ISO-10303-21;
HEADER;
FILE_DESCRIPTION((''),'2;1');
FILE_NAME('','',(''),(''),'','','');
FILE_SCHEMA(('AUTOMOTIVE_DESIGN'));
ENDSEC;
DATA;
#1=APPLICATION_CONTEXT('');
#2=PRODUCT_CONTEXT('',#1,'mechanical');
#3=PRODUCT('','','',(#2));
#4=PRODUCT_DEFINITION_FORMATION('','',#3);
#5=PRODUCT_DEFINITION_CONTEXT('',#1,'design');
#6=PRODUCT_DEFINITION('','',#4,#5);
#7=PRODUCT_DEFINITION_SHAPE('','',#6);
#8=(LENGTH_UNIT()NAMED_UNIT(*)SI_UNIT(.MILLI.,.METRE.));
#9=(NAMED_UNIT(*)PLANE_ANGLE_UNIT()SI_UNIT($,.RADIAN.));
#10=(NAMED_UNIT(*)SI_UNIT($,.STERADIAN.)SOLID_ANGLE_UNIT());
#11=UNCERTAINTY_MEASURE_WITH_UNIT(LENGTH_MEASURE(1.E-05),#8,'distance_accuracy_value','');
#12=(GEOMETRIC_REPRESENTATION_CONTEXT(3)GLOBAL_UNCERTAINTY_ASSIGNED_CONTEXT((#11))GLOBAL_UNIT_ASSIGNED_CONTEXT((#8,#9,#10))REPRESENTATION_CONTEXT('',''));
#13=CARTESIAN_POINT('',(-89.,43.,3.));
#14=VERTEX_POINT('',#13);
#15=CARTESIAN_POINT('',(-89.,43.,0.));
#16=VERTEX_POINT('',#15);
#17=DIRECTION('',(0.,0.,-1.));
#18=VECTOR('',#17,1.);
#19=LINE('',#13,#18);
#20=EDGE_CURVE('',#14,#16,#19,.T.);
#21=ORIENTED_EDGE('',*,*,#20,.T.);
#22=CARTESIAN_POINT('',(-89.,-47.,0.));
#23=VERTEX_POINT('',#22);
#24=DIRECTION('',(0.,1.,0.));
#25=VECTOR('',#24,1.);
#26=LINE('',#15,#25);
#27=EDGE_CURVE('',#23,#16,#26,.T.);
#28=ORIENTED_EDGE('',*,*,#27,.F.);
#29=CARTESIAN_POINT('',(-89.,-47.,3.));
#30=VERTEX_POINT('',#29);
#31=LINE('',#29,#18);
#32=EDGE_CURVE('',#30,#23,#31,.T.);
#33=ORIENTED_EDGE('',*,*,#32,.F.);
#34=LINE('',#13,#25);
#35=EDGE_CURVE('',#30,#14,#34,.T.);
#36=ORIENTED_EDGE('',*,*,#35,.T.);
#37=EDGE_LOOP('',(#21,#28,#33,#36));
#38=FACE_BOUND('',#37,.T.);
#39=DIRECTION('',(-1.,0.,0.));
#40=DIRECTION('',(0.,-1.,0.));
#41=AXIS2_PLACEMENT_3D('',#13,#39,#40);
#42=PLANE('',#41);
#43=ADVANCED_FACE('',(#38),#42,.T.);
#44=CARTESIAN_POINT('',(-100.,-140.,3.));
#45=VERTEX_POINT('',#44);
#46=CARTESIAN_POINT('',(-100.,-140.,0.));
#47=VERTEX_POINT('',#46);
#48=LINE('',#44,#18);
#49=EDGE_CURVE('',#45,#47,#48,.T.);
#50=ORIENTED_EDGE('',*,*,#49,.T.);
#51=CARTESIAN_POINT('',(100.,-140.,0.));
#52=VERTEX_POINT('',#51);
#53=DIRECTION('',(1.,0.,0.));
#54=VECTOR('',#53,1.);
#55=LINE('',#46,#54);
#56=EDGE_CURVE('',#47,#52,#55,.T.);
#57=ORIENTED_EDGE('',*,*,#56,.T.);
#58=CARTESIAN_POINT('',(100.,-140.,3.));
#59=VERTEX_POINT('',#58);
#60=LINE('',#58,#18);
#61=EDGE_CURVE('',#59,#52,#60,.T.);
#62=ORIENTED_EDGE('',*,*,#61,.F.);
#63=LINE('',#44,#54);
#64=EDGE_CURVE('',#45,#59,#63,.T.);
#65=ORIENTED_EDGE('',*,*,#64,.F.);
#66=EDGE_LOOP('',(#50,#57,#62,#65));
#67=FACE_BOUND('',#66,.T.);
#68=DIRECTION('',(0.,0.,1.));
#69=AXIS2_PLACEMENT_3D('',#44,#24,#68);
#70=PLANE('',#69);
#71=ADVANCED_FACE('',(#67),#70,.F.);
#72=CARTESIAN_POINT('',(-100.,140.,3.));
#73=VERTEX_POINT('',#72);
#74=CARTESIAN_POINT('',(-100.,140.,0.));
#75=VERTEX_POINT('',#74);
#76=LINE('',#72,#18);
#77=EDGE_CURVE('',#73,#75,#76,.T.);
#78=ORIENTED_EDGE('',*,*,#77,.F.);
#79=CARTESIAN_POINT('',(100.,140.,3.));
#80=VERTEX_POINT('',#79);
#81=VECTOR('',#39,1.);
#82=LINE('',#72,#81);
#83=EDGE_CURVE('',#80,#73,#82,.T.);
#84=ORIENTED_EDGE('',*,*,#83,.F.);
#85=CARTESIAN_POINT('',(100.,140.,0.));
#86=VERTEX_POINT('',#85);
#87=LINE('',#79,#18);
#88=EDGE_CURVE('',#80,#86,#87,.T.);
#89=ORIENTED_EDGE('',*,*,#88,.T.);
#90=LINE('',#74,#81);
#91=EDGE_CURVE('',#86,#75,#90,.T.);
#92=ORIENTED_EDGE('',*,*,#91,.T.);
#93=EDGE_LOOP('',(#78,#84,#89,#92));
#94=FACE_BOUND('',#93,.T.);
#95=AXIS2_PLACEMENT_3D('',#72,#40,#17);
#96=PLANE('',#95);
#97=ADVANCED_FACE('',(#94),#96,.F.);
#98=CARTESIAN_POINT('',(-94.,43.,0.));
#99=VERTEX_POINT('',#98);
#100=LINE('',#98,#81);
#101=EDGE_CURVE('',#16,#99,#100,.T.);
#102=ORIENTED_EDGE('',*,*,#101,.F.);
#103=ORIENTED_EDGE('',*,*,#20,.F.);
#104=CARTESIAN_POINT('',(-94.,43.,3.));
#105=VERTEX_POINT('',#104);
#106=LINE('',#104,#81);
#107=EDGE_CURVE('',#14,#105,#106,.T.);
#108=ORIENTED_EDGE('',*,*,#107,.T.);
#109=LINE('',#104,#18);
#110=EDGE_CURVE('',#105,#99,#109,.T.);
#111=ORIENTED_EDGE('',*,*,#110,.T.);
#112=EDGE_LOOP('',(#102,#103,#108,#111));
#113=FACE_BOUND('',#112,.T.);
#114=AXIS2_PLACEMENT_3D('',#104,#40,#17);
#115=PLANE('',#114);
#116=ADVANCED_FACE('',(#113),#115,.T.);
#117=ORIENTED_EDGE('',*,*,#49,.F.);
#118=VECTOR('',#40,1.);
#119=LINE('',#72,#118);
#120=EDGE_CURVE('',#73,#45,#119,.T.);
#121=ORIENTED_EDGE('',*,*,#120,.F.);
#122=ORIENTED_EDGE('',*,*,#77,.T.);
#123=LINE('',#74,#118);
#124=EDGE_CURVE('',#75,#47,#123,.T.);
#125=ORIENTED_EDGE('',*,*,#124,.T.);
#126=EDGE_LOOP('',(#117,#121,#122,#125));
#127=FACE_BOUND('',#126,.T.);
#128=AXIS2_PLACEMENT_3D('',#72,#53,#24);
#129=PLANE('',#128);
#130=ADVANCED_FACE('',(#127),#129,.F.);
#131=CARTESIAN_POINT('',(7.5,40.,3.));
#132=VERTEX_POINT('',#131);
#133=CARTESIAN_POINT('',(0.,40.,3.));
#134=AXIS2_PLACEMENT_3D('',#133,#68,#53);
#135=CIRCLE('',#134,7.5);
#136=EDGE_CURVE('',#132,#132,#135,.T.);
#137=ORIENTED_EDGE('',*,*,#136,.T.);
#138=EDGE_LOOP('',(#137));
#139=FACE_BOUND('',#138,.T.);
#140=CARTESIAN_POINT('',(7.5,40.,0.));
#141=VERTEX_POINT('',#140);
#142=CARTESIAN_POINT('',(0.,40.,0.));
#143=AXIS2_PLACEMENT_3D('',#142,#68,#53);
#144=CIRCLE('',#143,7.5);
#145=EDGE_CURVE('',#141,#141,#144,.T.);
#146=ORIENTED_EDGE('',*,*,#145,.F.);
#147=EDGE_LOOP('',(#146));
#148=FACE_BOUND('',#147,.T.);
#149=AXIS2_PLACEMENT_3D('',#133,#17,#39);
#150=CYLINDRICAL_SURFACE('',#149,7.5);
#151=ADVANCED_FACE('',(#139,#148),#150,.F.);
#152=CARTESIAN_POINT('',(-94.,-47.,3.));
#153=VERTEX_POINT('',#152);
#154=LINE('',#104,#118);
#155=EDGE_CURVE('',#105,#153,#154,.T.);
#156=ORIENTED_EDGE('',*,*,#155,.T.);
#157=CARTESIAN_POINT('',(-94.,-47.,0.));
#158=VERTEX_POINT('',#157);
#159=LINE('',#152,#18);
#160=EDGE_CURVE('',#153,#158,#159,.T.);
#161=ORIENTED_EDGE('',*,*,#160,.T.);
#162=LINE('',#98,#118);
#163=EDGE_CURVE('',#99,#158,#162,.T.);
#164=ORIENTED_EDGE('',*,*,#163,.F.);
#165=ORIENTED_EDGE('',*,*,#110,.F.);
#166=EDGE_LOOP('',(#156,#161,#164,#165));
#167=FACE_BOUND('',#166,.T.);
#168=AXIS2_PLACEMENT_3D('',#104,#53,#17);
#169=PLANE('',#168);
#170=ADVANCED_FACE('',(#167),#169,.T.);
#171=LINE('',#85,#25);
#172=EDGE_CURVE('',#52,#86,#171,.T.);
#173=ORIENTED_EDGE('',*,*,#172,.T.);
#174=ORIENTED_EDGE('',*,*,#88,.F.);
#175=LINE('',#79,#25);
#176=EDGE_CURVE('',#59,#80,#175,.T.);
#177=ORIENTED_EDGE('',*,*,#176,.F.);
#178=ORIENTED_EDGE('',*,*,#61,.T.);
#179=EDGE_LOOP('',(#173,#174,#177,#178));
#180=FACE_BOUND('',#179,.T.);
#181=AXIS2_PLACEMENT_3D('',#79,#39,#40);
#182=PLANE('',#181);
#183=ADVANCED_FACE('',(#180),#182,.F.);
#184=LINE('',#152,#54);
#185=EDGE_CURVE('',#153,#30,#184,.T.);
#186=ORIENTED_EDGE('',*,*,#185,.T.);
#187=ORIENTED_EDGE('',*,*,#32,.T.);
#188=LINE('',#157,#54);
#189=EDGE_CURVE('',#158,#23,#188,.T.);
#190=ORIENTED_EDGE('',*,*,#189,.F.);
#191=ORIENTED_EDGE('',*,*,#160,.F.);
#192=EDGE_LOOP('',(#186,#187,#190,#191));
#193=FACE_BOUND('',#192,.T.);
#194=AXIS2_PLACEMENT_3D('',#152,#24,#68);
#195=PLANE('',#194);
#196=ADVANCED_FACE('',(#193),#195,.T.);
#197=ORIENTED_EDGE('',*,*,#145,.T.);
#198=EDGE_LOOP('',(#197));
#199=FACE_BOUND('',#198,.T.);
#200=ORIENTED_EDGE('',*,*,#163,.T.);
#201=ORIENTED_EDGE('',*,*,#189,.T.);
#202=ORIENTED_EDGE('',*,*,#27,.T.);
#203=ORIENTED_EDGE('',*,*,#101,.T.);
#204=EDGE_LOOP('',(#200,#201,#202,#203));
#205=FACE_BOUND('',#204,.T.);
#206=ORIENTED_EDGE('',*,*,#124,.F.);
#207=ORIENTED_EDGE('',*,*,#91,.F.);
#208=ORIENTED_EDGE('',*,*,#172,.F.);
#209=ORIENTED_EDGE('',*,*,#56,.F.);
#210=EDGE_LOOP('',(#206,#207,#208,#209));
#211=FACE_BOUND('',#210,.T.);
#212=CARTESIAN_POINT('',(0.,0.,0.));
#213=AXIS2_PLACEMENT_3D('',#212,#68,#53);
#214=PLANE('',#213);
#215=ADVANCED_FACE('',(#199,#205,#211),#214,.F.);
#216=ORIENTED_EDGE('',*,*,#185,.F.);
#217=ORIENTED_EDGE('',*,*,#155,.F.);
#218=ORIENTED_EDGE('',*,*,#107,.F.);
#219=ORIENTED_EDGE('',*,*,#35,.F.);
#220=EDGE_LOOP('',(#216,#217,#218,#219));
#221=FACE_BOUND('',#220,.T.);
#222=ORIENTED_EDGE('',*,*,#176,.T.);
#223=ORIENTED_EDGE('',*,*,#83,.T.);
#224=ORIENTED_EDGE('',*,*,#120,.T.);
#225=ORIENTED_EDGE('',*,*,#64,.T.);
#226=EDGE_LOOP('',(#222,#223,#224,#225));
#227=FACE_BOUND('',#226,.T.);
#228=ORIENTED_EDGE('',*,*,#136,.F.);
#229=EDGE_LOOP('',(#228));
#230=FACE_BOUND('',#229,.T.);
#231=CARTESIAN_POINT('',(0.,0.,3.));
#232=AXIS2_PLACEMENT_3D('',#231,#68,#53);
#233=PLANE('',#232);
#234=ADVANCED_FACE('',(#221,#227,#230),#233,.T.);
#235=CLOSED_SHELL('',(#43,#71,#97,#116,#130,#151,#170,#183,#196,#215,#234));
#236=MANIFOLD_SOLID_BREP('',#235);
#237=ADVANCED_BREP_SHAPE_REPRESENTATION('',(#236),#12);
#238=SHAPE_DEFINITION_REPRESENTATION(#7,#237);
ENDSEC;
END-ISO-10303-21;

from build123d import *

# Parameters (mm, degrees)
SKETCH_1_W      = 200
SKETCH_1_H      = 280
SKETCH_1_R      = 7.5
SKETCH_1_W_2    = 5
SKETCH_1_H_2    = 90
EXTRUDE_1_DEPTH = 3


with BuildPart() as part:
    # 草圖1 → 填料-伸長1 (new body)
    with BuildSketch(Plane.XY):
        Rectangle(SKETCH_1_W, SKETCH_1_H)
        with Locations((0, 40)):
            Circle(SKETCH_1_R, mode=Mode.SUBTRACT)
        with Locations((-91.5, -2)):
            Rectangle(SKETCH_1_W_2, SKETCH_1_H_2, mode=Mode.SUBTRACT)
    extrude(amount=EXTRUDE_1_DEPTH)


solid = part.part
